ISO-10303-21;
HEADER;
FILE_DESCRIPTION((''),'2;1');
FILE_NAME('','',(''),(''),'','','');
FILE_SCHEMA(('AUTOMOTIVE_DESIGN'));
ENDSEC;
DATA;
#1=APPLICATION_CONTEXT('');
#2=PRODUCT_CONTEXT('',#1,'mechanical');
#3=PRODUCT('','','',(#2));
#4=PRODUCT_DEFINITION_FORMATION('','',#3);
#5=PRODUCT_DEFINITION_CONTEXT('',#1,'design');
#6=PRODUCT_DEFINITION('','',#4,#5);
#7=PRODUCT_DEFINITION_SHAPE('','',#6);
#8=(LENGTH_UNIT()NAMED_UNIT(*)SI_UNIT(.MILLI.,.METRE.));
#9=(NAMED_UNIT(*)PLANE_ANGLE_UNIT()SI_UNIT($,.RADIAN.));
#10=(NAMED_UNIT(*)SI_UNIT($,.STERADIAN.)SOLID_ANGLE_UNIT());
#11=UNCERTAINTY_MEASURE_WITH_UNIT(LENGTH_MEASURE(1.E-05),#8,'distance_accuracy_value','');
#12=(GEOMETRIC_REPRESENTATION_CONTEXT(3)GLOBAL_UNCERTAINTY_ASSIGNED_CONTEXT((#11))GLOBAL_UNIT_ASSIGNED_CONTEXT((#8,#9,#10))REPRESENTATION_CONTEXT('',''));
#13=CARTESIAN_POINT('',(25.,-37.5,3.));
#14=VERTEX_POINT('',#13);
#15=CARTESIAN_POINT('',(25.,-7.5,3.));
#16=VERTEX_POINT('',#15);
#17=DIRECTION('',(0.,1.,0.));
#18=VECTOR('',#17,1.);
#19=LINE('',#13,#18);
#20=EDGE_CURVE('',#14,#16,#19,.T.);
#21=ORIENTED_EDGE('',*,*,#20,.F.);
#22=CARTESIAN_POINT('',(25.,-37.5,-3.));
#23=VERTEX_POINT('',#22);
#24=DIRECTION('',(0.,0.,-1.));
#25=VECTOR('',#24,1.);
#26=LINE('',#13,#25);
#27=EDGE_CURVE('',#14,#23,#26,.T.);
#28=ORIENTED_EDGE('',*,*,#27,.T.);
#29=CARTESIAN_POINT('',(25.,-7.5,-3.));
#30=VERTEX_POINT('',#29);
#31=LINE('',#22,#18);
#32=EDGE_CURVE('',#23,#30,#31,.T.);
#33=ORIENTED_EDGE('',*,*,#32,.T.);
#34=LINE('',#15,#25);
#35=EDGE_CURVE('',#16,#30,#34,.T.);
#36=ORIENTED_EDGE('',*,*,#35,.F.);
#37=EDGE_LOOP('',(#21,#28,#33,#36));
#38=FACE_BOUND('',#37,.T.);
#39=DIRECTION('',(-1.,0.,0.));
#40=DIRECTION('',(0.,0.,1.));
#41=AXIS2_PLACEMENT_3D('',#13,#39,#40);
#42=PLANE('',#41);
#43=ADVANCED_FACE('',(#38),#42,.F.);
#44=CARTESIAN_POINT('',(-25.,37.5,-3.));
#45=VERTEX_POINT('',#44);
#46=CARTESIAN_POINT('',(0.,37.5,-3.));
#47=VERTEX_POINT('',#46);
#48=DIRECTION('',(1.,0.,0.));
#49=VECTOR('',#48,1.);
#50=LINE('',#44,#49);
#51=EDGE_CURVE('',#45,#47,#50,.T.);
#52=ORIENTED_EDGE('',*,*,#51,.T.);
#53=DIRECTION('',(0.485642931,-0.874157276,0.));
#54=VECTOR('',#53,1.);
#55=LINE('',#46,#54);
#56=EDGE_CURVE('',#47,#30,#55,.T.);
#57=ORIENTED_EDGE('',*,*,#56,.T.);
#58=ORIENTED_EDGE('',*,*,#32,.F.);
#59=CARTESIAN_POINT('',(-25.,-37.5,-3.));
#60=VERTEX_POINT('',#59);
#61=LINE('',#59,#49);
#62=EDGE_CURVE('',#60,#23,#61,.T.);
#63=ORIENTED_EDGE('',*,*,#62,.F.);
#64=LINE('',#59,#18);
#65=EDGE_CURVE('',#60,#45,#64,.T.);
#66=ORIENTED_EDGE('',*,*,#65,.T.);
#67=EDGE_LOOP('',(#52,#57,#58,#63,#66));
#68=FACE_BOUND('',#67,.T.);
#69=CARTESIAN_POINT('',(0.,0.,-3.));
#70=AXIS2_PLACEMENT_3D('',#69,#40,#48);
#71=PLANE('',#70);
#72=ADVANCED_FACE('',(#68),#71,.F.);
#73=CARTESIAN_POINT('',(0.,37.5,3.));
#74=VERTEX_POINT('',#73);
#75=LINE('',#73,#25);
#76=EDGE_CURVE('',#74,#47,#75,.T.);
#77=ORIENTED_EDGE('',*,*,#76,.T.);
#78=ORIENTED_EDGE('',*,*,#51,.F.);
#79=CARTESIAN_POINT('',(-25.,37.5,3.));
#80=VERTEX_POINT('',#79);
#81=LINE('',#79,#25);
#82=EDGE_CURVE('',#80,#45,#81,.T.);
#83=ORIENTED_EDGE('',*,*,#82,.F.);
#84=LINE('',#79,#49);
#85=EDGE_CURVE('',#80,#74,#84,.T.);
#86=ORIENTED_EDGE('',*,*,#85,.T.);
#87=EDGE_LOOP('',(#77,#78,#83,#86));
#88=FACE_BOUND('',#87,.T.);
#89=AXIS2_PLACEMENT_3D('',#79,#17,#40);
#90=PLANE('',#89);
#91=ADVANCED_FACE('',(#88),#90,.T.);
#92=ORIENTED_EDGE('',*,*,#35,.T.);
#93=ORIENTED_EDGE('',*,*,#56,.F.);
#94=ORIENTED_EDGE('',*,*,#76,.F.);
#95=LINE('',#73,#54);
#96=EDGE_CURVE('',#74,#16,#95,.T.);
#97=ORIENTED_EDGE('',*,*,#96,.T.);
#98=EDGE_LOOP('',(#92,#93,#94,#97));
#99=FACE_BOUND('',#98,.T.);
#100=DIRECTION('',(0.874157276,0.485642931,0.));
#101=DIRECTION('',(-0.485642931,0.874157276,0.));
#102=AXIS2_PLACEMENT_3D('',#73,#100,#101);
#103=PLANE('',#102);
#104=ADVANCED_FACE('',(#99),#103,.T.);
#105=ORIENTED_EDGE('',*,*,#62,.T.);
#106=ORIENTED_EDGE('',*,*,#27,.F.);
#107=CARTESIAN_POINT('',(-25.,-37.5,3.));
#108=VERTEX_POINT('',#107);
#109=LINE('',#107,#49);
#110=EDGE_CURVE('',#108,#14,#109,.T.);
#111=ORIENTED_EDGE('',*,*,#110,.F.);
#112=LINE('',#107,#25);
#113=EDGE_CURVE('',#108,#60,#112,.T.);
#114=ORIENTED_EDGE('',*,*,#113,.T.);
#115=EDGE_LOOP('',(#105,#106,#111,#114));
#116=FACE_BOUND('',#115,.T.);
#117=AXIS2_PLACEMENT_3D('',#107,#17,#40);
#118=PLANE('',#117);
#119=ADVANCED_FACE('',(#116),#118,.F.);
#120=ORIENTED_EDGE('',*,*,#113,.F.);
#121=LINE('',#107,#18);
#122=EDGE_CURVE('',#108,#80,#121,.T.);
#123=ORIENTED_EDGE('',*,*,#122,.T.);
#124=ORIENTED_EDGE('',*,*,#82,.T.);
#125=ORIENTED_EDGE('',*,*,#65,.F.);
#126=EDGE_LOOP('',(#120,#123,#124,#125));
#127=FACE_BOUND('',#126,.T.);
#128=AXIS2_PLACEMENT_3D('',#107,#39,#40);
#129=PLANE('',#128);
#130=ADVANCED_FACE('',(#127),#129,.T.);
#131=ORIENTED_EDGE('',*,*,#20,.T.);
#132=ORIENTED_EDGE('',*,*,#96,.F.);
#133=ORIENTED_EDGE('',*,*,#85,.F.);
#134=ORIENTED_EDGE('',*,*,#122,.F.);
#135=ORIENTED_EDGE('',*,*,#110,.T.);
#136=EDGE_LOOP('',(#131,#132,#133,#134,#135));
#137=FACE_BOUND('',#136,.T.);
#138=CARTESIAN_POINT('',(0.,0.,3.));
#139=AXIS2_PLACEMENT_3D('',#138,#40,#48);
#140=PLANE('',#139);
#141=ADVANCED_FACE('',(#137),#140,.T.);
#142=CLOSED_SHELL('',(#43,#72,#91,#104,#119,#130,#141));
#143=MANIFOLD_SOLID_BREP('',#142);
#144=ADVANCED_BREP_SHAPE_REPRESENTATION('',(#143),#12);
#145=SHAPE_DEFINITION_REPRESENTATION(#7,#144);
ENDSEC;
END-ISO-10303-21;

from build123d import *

# Parameters (mm, degrees)
BOSS_EXTRUDE1_DEPTH = 3


with BuildPart() as part:
    # Sketch1 → Boss-Extrude1 (new, symmetric)
    with BuildSketch(Plane.XY):
        Polygon((0, 37.5), (25, -7.5), (25, -37.5), (-25, -37.5), (-25, 37.5), align=None)
    extrude(amount=BOSS_EXTRUDE1_DEPTH, both=True)


solid = part.part
